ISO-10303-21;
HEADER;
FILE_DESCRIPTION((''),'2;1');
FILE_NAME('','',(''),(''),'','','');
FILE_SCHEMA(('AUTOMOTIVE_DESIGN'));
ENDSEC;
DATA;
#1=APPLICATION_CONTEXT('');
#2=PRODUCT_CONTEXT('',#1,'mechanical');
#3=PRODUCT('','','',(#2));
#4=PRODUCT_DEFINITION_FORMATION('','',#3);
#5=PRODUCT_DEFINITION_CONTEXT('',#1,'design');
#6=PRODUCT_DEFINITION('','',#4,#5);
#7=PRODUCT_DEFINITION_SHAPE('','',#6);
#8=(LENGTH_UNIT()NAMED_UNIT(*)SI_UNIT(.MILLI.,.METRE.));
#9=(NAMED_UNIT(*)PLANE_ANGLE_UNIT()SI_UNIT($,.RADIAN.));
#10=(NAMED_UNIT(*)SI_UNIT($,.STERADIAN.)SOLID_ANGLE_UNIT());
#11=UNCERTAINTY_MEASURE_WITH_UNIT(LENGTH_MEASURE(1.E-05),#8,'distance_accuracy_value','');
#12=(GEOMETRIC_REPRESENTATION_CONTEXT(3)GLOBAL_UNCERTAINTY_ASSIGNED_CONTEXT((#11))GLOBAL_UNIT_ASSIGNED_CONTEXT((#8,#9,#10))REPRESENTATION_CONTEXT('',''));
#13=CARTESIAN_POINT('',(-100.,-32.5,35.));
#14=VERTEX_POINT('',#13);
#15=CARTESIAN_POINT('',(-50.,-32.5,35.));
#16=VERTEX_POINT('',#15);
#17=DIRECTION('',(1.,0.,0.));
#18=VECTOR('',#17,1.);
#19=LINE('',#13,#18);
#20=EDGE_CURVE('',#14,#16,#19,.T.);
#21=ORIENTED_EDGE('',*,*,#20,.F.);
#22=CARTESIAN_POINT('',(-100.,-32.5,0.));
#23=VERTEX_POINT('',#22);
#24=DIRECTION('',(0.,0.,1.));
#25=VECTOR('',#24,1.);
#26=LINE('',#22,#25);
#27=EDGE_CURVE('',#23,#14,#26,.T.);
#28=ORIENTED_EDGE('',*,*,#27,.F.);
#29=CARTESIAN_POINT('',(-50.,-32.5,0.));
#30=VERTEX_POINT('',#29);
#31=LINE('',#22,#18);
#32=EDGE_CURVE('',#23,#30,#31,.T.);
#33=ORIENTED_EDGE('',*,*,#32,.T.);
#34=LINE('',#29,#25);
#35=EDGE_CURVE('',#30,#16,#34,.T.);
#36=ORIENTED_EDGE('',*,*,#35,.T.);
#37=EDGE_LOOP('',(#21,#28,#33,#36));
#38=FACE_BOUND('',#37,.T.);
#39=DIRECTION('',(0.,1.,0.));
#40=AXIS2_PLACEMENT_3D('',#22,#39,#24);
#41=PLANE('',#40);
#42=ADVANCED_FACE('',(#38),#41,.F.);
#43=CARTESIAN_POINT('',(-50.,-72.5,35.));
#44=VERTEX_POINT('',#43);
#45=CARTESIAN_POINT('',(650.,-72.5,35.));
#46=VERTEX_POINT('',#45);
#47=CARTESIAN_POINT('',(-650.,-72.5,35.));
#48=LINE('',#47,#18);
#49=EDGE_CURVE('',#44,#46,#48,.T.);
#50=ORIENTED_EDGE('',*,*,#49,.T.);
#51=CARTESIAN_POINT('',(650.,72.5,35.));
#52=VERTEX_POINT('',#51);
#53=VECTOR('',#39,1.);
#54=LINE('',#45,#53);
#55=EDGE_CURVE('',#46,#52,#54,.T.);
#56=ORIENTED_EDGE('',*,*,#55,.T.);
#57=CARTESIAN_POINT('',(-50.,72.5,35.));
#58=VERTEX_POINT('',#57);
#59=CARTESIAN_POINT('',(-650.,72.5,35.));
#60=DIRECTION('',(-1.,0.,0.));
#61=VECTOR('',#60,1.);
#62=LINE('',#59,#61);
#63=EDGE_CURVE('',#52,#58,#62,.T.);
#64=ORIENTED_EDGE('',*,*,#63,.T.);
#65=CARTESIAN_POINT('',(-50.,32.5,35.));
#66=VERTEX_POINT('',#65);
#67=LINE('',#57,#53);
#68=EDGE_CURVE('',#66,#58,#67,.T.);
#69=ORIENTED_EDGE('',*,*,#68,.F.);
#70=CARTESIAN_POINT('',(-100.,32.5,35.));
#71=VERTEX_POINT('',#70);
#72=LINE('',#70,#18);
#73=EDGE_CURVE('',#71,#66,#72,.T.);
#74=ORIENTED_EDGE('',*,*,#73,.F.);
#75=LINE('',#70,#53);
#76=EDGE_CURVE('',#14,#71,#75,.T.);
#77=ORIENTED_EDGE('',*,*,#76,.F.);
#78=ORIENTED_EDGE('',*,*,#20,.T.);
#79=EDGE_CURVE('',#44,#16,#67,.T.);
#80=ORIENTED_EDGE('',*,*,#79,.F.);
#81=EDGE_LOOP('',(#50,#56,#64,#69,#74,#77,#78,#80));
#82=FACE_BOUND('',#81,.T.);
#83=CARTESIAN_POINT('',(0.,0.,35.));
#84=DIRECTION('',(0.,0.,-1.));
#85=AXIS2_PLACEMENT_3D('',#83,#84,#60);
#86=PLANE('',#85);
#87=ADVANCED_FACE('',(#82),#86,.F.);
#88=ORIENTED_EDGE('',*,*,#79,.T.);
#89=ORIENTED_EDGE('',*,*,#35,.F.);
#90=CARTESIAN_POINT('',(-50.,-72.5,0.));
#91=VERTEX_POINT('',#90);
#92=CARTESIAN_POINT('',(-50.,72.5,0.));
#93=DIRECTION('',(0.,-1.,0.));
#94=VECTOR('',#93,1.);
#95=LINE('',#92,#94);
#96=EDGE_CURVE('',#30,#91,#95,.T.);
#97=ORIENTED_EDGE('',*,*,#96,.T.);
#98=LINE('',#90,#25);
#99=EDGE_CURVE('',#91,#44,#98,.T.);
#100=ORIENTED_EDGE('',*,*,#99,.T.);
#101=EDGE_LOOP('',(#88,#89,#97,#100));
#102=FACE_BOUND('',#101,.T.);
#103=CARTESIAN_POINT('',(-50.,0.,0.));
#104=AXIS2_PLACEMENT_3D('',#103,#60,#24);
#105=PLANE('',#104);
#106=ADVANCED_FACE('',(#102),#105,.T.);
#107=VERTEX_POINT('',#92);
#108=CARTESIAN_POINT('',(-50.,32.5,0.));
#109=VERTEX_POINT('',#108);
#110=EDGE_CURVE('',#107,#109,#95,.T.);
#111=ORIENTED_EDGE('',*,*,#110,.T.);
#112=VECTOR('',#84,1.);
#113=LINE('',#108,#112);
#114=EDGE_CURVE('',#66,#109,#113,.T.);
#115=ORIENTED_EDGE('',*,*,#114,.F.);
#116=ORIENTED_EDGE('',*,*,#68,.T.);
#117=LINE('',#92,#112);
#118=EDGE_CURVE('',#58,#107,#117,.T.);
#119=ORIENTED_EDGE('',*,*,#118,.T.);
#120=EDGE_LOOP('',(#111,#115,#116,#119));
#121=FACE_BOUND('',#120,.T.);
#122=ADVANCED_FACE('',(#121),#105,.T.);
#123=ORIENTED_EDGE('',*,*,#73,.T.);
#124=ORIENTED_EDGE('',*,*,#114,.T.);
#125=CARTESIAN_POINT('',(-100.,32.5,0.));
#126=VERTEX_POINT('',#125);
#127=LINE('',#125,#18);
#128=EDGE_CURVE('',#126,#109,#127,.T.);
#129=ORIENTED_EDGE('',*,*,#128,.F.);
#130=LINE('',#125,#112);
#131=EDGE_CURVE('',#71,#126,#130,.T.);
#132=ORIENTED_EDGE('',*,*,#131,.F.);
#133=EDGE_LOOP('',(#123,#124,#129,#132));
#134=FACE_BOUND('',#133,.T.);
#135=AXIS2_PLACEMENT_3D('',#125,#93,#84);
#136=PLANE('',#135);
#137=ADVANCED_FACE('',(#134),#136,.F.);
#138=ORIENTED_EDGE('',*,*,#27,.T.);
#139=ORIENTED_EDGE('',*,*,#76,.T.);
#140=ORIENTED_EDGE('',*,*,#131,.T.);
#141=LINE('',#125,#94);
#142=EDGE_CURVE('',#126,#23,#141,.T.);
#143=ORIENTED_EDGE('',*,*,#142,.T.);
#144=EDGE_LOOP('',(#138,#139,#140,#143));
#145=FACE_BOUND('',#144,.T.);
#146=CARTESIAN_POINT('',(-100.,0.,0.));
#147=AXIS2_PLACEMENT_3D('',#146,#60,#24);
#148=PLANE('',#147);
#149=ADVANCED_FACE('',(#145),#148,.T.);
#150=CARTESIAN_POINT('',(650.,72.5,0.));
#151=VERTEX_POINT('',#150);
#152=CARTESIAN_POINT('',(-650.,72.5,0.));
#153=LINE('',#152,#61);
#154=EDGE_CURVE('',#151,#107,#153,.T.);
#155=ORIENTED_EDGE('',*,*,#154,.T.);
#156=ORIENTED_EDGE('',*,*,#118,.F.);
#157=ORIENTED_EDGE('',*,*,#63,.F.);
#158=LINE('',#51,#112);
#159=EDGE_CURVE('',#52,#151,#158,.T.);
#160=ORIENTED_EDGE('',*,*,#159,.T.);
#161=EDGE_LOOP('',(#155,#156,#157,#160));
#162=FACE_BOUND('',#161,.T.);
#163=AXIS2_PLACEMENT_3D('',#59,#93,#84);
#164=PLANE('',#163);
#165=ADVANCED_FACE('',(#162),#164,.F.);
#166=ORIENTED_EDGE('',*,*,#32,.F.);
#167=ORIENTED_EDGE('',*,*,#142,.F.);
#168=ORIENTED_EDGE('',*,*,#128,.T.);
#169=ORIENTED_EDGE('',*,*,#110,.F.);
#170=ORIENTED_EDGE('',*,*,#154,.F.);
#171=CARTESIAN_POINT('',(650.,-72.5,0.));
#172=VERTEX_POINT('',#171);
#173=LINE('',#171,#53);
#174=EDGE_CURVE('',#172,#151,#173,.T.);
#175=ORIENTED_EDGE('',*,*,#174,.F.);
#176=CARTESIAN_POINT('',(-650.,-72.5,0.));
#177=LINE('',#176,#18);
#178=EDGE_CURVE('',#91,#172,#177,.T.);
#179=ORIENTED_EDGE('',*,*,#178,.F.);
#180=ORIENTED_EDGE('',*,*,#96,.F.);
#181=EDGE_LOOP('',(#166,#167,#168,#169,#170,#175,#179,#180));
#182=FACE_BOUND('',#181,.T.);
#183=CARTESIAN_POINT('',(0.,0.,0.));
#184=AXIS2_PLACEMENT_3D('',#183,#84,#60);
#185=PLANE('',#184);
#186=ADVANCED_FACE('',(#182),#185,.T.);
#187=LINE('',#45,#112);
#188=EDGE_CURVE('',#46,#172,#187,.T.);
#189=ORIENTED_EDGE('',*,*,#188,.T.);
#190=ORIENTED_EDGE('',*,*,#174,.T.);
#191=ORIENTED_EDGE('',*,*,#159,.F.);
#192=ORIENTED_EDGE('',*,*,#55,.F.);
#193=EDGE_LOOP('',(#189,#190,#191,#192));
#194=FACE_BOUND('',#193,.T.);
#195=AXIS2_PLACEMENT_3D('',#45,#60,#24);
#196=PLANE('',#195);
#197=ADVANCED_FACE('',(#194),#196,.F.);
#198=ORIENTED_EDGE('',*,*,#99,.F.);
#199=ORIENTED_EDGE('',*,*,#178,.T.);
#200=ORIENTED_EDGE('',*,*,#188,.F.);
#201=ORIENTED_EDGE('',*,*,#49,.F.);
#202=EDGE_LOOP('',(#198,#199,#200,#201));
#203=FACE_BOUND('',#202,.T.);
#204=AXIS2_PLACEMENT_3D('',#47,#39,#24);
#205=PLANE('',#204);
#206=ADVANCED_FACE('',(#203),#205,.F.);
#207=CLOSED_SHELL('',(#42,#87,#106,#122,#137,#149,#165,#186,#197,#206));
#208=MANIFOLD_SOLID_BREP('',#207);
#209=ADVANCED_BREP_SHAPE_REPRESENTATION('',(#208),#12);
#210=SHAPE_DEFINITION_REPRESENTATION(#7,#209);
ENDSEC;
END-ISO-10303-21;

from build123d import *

# Parameters (mm, degrees)
CROQUIS1_W              = 1300
CROQUIS1_H              = 145
SALIENTE_EXTRUIR1_DEPTH = 35
CROQUIS2_W              = 35
CROQUIS2_H              = 145
CORTAR_EXTRUIR1_DEPTH   = 600
CROQUIS3_W              = 35
CROQUIS3_H              = 65
SALIENTE_EXTRUIR2_DEPTH = 50


with BuildPart() as part:
    # Croquis1 → Saliente-Extruir1 (new body)
    with BuildSketch(Plane.XY):
        Rectangle(CROQUIS1_W, CROQUIS1_H)
    extrude(amount=SALIENTE_EXTRUIR1_DEPTH)

    # Croquis2 → Cortar-Extruir1 (cut)
    with BuildSketch(Plane.ZY.offset(650)):
        with Locations((17.5, 0)):
            Rectangle(CROQUIS2_W, CROQUIS2_H)
    extrude(amount=-CORTAR_EXTRUIR1_DEPTH, mode=Mode.SUBTRACT)

    # Croquis3 → Saliente-Extruir2 (add)
    with BuildSketch(Plane.ZY.offset(50)):
        with Locations((17.5, 0)):
            Rectangle(CROQUIS3_W, CROQUIS3_H)
    extrude(amount=SALIENTE_EXTRUIR2_DEPTH)


solid = part.part
